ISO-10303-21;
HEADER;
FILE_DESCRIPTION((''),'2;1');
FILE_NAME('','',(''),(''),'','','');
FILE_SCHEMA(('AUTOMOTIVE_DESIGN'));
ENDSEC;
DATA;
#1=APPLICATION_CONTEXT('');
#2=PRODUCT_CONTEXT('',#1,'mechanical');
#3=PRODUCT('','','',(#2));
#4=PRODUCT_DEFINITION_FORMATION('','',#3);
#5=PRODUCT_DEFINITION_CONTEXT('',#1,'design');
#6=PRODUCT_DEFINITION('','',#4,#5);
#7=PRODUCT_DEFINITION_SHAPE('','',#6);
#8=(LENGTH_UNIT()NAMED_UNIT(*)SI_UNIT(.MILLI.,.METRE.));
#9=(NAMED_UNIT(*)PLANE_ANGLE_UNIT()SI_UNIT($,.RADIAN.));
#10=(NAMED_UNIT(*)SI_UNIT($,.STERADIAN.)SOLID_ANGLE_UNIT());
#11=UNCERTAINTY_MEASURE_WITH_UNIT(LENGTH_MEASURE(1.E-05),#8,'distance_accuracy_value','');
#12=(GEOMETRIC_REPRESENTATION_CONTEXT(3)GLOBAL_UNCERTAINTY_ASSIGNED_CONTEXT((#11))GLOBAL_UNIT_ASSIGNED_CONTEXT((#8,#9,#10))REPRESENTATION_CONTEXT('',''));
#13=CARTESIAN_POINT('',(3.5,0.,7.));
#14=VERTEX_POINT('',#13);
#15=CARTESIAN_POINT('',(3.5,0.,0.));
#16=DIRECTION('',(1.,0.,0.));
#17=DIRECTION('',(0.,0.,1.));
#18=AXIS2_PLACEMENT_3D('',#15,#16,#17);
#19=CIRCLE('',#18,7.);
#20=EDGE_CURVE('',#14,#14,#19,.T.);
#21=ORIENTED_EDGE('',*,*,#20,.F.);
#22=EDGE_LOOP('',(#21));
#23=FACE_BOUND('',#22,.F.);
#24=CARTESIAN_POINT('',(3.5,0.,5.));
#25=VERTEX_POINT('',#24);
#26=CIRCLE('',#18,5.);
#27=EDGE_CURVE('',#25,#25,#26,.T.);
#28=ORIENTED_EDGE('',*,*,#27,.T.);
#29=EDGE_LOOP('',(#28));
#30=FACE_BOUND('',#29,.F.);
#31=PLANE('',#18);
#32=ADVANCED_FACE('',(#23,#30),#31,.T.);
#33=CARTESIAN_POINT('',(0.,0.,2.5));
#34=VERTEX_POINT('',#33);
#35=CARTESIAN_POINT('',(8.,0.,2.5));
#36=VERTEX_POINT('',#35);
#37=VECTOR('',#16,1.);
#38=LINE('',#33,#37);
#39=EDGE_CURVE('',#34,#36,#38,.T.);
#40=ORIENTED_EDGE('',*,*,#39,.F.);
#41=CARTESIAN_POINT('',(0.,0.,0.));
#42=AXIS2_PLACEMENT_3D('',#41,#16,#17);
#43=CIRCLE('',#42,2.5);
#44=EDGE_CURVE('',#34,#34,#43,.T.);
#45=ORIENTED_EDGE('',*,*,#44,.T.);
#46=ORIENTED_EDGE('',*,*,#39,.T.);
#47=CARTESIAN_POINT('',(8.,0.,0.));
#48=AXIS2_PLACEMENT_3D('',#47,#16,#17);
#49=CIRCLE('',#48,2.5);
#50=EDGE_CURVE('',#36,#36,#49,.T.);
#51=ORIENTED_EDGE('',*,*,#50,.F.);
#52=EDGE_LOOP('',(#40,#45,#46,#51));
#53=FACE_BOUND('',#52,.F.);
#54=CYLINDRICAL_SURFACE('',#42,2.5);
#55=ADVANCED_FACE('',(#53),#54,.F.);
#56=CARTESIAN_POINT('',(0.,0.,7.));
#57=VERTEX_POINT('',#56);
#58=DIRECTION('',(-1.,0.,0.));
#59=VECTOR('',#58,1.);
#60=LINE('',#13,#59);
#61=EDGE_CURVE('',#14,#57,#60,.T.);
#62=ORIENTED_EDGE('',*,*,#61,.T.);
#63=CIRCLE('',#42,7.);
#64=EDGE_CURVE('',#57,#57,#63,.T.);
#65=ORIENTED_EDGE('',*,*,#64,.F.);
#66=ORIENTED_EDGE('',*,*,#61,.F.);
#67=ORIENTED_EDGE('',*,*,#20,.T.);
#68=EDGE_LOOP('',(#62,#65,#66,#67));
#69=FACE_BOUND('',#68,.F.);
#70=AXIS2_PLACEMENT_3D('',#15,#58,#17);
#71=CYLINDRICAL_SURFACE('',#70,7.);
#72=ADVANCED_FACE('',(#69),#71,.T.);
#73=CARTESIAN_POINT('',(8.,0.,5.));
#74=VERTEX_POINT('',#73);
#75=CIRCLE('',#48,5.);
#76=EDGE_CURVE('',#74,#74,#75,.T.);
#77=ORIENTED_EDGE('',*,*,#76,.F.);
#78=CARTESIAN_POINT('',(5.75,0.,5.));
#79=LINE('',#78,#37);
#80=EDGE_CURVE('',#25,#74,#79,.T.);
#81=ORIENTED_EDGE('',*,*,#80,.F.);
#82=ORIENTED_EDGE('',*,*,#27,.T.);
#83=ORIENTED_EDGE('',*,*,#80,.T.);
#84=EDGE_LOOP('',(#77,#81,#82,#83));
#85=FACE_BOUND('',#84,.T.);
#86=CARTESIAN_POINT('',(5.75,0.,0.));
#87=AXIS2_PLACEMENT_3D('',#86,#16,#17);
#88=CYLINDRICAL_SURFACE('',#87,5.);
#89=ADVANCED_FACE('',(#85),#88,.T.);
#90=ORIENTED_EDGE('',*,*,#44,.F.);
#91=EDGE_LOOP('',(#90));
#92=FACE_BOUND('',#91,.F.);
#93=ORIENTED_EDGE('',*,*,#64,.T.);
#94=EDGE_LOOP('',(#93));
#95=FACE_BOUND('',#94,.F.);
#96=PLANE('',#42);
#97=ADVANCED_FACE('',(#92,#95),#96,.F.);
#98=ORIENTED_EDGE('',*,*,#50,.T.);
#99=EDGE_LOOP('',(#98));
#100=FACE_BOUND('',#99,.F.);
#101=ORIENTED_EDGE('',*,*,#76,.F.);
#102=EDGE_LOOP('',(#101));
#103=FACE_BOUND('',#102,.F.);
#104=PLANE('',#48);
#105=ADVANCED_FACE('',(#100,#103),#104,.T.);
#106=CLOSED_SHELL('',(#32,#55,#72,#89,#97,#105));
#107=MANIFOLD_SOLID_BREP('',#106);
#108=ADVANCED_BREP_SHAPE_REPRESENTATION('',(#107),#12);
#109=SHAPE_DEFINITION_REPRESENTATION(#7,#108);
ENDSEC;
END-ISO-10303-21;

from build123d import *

# Parameters (mm, degrees)
F0_W = 4.5
F0_H = 2.5


with BuildPart() as f1:
    # F0 (on Front) → F1 (revolve)
    with BuildSketch(Plane.XZ):
        Polygon((0, 7), (0, 2.5), (3.5, 2.5), (3.5, 5), (3.5, 7), align=None)
        with Locations((5.75, 3.75)):
            Rectangle(F0_W, F0_H)
    revolve(axis=Axis((4.404856, 0, 0), (1, 0, 0)))


solid = f1.part
